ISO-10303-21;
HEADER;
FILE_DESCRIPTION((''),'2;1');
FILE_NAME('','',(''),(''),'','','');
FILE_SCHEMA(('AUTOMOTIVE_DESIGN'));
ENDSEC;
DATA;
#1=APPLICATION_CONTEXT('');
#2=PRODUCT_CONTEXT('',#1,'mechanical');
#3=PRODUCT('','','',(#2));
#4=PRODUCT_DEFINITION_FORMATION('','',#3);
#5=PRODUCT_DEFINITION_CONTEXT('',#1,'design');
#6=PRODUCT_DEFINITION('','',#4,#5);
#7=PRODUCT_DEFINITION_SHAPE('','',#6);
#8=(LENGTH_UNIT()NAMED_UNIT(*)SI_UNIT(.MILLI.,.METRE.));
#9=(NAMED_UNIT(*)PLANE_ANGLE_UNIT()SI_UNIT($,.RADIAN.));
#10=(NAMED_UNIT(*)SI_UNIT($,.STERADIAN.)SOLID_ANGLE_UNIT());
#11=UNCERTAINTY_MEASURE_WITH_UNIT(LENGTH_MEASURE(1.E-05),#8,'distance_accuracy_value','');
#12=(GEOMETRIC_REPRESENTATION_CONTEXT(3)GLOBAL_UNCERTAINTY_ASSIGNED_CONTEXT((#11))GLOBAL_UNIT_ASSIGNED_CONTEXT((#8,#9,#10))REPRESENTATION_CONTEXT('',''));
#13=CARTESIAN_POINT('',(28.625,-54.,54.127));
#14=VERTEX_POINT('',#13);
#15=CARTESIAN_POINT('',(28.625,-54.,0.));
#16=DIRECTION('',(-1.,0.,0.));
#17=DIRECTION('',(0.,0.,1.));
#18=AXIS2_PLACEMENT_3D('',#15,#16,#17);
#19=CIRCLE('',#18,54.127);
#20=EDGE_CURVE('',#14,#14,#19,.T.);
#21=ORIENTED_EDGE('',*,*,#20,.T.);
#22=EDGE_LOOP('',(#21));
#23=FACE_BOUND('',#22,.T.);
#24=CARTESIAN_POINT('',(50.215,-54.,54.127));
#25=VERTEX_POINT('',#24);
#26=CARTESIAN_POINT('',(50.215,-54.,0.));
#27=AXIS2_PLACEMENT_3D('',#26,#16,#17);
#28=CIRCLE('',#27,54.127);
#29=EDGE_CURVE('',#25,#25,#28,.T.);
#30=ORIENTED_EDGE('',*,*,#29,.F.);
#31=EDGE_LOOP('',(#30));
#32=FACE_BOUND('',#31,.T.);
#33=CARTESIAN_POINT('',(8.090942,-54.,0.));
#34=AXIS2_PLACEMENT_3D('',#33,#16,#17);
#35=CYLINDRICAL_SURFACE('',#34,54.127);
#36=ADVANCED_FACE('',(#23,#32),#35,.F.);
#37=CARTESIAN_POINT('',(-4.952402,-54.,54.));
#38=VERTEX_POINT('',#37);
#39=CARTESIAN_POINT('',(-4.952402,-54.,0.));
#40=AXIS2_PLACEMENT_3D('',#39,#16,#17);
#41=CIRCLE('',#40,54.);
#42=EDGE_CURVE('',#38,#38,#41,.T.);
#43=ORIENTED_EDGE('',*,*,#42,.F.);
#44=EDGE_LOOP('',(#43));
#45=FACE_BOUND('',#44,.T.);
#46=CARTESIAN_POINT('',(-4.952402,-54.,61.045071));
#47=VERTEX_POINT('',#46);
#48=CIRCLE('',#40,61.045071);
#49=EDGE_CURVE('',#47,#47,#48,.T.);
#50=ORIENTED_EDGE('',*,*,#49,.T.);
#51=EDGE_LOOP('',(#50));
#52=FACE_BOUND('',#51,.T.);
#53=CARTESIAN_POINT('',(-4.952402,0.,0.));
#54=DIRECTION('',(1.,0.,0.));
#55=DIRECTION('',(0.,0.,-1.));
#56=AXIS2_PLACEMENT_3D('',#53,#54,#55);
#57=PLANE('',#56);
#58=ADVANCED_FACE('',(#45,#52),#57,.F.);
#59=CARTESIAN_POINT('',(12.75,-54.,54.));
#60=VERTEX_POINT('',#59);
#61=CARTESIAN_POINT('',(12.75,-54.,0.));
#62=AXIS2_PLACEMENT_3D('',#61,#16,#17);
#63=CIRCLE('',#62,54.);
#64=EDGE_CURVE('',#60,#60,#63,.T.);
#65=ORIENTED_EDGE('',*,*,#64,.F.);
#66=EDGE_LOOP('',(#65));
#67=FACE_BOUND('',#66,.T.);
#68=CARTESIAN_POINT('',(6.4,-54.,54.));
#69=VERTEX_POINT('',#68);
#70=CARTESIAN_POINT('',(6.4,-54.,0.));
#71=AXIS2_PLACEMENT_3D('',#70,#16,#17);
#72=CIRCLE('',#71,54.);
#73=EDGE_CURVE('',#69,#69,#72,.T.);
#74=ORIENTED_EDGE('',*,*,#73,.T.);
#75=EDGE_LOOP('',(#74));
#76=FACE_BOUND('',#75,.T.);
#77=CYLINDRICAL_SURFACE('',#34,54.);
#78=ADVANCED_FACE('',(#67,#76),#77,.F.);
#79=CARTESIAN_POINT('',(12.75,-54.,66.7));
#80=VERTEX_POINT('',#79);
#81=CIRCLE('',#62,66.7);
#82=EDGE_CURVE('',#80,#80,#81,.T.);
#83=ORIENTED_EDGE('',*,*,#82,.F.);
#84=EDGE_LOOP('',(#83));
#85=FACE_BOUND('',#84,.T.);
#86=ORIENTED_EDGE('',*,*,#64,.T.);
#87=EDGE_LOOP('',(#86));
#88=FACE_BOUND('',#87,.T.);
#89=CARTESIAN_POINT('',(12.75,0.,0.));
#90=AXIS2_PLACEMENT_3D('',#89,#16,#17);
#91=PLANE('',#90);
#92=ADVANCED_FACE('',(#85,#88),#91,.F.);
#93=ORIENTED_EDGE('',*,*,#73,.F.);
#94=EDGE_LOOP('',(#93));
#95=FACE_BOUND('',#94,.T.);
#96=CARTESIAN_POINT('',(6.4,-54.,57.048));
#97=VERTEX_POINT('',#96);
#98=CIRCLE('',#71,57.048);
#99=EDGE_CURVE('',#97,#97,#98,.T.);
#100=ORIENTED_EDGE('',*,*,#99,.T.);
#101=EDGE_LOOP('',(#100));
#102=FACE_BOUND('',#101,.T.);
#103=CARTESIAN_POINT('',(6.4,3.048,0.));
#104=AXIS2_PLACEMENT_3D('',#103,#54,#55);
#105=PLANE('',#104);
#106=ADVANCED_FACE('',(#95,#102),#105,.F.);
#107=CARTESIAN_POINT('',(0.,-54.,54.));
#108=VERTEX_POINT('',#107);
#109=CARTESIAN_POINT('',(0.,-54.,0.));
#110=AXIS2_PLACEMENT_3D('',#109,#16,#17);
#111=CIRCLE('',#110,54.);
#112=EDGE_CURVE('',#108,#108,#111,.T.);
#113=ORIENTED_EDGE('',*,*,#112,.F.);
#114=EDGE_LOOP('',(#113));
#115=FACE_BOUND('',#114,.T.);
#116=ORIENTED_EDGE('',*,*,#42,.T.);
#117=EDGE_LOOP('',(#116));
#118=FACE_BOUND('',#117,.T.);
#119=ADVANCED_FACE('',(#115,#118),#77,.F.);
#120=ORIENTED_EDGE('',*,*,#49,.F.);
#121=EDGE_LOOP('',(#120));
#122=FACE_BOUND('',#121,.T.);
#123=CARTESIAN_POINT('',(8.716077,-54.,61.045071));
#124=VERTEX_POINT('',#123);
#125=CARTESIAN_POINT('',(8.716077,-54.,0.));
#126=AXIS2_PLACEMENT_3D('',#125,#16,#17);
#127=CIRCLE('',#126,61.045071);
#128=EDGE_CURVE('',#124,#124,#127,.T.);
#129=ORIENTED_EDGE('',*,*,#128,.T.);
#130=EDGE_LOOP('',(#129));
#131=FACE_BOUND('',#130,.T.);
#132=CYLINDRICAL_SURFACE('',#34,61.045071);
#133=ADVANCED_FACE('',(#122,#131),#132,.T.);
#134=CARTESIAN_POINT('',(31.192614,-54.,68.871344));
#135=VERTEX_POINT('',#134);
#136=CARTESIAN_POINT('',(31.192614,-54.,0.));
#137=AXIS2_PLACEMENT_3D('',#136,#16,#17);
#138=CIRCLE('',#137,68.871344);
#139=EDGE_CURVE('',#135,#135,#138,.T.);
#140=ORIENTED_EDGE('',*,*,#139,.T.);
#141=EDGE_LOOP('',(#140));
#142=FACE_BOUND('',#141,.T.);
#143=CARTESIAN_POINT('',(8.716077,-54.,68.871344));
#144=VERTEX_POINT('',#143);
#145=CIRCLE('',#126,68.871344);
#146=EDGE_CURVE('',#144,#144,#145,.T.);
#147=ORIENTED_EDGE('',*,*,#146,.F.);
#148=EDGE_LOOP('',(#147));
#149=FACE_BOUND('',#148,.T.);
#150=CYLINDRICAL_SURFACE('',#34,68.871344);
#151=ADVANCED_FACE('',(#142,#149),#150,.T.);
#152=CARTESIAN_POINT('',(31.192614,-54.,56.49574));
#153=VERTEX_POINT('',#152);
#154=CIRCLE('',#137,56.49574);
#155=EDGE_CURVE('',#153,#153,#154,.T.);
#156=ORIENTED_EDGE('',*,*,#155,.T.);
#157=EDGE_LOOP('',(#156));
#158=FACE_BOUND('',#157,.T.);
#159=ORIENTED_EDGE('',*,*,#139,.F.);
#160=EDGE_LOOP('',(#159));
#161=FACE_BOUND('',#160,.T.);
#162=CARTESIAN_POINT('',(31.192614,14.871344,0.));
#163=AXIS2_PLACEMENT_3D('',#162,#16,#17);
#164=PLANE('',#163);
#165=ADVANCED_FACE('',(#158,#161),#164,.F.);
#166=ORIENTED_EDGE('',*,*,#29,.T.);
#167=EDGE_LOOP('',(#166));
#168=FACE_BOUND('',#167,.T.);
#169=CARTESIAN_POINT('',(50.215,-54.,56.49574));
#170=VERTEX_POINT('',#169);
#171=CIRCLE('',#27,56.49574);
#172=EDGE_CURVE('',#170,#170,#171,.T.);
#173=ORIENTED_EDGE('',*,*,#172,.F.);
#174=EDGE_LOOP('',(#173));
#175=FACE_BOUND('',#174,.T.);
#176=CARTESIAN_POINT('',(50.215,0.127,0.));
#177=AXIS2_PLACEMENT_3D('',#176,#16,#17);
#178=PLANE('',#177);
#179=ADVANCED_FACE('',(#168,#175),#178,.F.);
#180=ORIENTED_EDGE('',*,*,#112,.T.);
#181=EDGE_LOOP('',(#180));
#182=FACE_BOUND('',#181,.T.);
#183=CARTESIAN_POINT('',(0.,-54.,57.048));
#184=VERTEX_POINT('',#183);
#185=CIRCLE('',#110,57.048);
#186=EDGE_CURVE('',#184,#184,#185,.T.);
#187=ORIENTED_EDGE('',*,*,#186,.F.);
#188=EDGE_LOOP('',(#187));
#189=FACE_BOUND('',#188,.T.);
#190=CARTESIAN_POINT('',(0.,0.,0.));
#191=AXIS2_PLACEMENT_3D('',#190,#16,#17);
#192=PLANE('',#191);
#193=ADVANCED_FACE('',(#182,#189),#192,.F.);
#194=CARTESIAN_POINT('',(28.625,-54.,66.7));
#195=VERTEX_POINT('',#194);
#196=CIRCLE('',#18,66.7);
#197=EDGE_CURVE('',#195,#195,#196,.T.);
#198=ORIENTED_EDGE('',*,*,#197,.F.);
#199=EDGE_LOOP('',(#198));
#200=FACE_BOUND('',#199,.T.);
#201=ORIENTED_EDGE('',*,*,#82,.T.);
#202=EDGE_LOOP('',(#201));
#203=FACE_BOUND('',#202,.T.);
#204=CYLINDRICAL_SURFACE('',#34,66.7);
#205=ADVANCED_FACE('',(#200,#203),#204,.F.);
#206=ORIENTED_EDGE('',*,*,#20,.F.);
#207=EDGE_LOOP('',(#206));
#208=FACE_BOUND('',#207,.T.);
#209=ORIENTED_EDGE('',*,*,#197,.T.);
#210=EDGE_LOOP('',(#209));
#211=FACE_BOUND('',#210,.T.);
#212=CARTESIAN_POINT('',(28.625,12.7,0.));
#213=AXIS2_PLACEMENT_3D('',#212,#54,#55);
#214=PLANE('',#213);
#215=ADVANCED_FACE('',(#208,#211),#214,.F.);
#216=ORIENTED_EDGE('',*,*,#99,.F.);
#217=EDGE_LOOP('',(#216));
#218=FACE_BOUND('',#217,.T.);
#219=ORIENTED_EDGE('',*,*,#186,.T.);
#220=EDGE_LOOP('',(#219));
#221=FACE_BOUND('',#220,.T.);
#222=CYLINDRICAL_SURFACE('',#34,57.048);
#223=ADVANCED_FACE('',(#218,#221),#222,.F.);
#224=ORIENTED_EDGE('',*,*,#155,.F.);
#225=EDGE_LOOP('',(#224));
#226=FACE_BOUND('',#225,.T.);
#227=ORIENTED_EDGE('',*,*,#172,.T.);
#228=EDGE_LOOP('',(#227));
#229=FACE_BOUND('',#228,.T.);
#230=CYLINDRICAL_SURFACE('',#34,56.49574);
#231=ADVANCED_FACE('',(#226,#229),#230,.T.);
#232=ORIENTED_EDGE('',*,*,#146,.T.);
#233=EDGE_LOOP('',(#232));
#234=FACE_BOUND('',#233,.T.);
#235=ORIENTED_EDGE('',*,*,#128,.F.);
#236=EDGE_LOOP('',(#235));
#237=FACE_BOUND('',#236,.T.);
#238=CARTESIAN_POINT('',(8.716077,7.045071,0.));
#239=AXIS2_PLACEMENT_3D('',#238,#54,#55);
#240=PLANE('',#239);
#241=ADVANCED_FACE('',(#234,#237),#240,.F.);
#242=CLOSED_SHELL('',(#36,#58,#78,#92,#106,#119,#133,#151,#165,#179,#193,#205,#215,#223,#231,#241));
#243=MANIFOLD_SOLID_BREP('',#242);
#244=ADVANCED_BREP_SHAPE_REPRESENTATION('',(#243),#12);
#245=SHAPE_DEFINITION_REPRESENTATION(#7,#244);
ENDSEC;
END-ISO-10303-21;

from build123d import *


with BuildPart() as part:
    # Sketch1 → Revolve5 (revolve)
    with BuildSketch(Plane.XY, mode=Mode.PRIVATE) as revolve5_sk:
        Polygon((0, 0), (0, 3.048), (6.4, 3.048), (6.4, 0), (12.75, 0), (12.75, 12.7), (28.625, 12.7), (28.625, 0.127), (50.215, 0.127), (50.215, 2.495740043), (31.192613632, 2.495740043), (31.192613632, 14.871343975), (8.716076946, 14.871343975), (8.716076946, 7.045071355), (-4.952401859, 7.045071355), (-4.952401859, 0), align=None)
    revolve(revolve5_sk.sketch.rotate(Axis((8.090941895, -54, 0), (1, 0, 0)), 90), axis=Axis((8.090941895, -54, 0), (1, 0, 0)))


solid = part.part
